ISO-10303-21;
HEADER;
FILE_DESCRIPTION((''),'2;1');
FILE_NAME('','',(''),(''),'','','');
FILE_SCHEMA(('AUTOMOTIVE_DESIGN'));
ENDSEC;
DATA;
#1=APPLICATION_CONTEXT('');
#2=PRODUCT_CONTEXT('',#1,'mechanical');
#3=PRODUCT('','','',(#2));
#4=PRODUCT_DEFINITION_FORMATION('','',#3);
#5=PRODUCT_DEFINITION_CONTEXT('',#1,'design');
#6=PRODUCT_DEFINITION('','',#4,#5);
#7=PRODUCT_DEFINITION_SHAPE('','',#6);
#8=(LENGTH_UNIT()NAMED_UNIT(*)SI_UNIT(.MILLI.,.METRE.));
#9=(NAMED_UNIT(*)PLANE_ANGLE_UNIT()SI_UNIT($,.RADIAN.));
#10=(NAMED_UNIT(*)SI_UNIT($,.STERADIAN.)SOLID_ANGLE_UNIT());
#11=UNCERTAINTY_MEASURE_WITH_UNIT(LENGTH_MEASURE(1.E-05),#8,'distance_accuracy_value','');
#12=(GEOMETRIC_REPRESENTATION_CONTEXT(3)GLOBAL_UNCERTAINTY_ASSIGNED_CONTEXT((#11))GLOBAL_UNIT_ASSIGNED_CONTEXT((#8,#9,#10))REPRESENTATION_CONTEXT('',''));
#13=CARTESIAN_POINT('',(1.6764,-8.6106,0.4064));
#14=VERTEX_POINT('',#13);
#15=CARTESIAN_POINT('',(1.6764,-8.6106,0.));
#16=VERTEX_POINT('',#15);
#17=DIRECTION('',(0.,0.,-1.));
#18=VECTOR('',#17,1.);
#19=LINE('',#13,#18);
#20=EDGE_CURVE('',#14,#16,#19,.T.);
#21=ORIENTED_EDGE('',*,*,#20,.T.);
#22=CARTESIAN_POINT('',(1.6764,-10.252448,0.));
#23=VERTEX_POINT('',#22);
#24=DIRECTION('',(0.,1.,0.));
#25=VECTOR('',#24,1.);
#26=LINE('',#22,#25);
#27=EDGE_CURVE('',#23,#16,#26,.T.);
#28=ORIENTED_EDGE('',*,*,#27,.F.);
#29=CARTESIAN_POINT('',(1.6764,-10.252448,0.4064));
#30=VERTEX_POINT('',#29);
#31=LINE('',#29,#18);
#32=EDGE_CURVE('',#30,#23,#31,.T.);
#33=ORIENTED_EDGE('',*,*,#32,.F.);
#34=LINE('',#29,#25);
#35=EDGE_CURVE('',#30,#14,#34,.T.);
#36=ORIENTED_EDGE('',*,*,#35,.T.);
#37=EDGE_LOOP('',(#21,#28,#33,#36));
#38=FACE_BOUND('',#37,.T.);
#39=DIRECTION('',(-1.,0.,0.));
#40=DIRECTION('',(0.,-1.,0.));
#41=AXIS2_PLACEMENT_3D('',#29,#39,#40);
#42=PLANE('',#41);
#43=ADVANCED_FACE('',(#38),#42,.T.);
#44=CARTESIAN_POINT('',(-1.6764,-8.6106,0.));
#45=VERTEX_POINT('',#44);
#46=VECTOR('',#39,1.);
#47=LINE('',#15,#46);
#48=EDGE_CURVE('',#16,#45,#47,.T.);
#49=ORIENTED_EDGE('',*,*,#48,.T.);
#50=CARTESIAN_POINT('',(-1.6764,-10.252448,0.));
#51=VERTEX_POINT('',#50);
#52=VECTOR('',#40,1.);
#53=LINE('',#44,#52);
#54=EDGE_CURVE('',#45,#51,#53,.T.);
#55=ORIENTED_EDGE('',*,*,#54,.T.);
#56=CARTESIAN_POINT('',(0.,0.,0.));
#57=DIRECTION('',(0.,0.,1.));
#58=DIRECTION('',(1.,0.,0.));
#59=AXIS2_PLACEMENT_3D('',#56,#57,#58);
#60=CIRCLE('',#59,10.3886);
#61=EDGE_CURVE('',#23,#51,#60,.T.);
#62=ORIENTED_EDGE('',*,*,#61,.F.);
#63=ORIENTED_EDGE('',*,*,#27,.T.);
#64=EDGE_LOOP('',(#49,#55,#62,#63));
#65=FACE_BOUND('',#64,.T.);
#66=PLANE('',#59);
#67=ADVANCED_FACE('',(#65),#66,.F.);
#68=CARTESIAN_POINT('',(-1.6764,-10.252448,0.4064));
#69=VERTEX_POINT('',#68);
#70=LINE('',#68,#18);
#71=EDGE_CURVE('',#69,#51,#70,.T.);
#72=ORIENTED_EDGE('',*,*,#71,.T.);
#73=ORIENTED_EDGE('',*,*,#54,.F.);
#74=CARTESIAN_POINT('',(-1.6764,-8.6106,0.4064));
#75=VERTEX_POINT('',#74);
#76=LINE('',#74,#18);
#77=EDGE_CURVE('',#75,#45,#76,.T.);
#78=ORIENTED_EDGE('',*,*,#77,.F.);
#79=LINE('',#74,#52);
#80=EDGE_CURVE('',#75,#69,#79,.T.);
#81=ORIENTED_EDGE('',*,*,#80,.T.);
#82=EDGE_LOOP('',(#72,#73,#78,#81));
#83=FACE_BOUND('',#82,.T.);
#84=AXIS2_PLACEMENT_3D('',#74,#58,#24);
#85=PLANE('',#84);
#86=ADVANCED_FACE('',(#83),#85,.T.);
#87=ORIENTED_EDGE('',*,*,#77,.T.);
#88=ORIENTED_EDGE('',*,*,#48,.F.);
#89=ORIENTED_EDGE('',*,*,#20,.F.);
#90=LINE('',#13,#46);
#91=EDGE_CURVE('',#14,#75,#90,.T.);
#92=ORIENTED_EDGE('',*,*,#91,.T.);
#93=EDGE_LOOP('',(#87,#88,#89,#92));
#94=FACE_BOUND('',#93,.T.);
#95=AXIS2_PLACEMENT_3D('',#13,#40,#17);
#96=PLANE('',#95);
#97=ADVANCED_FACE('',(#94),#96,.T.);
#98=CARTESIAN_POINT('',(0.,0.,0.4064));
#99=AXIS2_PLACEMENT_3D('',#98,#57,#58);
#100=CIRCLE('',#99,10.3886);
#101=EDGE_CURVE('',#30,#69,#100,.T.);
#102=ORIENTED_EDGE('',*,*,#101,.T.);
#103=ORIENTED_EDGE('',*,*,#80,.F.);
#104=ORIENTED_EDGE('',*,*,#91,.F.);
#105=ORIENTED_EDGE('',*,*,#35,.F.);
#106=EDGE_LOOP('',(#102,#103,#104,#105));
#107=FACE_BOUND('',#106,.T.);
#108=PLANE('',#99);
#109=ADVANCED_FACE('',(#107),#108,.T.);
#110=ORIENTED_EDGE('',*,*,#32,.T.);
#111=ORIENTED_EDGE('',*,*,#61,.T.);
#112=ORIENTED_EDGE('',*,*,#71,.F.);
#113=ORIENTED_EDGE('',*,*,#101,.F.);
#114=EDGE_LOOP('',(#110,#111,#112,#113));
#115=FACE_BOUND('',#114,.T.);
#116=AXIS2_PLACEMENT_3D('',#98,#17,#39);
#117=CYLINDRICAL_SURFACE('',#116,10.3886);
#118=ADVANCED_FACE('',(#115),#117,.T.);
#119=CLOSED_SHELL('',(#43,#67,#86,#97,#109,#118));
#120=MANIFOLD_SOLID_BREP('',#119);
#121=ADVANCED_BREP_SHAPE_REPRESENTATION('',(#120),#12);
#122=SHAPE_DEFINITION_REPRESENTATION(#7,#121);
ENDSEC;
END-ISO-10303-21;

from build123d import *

# Parameters (mm, degrees)
BASE_EXTRUDE_DEPTH = 0.4064


with BuildPart() as part:
    # Sketch1 → Base-Extrude (new body)
    with BuildSketch(Plane.XY):
        with BuildLine():
            Line((1.6764, -10.252448147), (1.6764, -8.6106))
            Line((1.6764, -8.6106), (-1.6764, -8.6106))
            Line((-1.6764, -8.6106), (-1.6764, -10.252448147))
            ThreePointArc((-1.6764, -10.252448147), (0, 10.3886), (1.6764, -10.252448147))
        make_face()
    extrude(amount=BASE_EXTRUDE_DEPTH)


solid = part.part
